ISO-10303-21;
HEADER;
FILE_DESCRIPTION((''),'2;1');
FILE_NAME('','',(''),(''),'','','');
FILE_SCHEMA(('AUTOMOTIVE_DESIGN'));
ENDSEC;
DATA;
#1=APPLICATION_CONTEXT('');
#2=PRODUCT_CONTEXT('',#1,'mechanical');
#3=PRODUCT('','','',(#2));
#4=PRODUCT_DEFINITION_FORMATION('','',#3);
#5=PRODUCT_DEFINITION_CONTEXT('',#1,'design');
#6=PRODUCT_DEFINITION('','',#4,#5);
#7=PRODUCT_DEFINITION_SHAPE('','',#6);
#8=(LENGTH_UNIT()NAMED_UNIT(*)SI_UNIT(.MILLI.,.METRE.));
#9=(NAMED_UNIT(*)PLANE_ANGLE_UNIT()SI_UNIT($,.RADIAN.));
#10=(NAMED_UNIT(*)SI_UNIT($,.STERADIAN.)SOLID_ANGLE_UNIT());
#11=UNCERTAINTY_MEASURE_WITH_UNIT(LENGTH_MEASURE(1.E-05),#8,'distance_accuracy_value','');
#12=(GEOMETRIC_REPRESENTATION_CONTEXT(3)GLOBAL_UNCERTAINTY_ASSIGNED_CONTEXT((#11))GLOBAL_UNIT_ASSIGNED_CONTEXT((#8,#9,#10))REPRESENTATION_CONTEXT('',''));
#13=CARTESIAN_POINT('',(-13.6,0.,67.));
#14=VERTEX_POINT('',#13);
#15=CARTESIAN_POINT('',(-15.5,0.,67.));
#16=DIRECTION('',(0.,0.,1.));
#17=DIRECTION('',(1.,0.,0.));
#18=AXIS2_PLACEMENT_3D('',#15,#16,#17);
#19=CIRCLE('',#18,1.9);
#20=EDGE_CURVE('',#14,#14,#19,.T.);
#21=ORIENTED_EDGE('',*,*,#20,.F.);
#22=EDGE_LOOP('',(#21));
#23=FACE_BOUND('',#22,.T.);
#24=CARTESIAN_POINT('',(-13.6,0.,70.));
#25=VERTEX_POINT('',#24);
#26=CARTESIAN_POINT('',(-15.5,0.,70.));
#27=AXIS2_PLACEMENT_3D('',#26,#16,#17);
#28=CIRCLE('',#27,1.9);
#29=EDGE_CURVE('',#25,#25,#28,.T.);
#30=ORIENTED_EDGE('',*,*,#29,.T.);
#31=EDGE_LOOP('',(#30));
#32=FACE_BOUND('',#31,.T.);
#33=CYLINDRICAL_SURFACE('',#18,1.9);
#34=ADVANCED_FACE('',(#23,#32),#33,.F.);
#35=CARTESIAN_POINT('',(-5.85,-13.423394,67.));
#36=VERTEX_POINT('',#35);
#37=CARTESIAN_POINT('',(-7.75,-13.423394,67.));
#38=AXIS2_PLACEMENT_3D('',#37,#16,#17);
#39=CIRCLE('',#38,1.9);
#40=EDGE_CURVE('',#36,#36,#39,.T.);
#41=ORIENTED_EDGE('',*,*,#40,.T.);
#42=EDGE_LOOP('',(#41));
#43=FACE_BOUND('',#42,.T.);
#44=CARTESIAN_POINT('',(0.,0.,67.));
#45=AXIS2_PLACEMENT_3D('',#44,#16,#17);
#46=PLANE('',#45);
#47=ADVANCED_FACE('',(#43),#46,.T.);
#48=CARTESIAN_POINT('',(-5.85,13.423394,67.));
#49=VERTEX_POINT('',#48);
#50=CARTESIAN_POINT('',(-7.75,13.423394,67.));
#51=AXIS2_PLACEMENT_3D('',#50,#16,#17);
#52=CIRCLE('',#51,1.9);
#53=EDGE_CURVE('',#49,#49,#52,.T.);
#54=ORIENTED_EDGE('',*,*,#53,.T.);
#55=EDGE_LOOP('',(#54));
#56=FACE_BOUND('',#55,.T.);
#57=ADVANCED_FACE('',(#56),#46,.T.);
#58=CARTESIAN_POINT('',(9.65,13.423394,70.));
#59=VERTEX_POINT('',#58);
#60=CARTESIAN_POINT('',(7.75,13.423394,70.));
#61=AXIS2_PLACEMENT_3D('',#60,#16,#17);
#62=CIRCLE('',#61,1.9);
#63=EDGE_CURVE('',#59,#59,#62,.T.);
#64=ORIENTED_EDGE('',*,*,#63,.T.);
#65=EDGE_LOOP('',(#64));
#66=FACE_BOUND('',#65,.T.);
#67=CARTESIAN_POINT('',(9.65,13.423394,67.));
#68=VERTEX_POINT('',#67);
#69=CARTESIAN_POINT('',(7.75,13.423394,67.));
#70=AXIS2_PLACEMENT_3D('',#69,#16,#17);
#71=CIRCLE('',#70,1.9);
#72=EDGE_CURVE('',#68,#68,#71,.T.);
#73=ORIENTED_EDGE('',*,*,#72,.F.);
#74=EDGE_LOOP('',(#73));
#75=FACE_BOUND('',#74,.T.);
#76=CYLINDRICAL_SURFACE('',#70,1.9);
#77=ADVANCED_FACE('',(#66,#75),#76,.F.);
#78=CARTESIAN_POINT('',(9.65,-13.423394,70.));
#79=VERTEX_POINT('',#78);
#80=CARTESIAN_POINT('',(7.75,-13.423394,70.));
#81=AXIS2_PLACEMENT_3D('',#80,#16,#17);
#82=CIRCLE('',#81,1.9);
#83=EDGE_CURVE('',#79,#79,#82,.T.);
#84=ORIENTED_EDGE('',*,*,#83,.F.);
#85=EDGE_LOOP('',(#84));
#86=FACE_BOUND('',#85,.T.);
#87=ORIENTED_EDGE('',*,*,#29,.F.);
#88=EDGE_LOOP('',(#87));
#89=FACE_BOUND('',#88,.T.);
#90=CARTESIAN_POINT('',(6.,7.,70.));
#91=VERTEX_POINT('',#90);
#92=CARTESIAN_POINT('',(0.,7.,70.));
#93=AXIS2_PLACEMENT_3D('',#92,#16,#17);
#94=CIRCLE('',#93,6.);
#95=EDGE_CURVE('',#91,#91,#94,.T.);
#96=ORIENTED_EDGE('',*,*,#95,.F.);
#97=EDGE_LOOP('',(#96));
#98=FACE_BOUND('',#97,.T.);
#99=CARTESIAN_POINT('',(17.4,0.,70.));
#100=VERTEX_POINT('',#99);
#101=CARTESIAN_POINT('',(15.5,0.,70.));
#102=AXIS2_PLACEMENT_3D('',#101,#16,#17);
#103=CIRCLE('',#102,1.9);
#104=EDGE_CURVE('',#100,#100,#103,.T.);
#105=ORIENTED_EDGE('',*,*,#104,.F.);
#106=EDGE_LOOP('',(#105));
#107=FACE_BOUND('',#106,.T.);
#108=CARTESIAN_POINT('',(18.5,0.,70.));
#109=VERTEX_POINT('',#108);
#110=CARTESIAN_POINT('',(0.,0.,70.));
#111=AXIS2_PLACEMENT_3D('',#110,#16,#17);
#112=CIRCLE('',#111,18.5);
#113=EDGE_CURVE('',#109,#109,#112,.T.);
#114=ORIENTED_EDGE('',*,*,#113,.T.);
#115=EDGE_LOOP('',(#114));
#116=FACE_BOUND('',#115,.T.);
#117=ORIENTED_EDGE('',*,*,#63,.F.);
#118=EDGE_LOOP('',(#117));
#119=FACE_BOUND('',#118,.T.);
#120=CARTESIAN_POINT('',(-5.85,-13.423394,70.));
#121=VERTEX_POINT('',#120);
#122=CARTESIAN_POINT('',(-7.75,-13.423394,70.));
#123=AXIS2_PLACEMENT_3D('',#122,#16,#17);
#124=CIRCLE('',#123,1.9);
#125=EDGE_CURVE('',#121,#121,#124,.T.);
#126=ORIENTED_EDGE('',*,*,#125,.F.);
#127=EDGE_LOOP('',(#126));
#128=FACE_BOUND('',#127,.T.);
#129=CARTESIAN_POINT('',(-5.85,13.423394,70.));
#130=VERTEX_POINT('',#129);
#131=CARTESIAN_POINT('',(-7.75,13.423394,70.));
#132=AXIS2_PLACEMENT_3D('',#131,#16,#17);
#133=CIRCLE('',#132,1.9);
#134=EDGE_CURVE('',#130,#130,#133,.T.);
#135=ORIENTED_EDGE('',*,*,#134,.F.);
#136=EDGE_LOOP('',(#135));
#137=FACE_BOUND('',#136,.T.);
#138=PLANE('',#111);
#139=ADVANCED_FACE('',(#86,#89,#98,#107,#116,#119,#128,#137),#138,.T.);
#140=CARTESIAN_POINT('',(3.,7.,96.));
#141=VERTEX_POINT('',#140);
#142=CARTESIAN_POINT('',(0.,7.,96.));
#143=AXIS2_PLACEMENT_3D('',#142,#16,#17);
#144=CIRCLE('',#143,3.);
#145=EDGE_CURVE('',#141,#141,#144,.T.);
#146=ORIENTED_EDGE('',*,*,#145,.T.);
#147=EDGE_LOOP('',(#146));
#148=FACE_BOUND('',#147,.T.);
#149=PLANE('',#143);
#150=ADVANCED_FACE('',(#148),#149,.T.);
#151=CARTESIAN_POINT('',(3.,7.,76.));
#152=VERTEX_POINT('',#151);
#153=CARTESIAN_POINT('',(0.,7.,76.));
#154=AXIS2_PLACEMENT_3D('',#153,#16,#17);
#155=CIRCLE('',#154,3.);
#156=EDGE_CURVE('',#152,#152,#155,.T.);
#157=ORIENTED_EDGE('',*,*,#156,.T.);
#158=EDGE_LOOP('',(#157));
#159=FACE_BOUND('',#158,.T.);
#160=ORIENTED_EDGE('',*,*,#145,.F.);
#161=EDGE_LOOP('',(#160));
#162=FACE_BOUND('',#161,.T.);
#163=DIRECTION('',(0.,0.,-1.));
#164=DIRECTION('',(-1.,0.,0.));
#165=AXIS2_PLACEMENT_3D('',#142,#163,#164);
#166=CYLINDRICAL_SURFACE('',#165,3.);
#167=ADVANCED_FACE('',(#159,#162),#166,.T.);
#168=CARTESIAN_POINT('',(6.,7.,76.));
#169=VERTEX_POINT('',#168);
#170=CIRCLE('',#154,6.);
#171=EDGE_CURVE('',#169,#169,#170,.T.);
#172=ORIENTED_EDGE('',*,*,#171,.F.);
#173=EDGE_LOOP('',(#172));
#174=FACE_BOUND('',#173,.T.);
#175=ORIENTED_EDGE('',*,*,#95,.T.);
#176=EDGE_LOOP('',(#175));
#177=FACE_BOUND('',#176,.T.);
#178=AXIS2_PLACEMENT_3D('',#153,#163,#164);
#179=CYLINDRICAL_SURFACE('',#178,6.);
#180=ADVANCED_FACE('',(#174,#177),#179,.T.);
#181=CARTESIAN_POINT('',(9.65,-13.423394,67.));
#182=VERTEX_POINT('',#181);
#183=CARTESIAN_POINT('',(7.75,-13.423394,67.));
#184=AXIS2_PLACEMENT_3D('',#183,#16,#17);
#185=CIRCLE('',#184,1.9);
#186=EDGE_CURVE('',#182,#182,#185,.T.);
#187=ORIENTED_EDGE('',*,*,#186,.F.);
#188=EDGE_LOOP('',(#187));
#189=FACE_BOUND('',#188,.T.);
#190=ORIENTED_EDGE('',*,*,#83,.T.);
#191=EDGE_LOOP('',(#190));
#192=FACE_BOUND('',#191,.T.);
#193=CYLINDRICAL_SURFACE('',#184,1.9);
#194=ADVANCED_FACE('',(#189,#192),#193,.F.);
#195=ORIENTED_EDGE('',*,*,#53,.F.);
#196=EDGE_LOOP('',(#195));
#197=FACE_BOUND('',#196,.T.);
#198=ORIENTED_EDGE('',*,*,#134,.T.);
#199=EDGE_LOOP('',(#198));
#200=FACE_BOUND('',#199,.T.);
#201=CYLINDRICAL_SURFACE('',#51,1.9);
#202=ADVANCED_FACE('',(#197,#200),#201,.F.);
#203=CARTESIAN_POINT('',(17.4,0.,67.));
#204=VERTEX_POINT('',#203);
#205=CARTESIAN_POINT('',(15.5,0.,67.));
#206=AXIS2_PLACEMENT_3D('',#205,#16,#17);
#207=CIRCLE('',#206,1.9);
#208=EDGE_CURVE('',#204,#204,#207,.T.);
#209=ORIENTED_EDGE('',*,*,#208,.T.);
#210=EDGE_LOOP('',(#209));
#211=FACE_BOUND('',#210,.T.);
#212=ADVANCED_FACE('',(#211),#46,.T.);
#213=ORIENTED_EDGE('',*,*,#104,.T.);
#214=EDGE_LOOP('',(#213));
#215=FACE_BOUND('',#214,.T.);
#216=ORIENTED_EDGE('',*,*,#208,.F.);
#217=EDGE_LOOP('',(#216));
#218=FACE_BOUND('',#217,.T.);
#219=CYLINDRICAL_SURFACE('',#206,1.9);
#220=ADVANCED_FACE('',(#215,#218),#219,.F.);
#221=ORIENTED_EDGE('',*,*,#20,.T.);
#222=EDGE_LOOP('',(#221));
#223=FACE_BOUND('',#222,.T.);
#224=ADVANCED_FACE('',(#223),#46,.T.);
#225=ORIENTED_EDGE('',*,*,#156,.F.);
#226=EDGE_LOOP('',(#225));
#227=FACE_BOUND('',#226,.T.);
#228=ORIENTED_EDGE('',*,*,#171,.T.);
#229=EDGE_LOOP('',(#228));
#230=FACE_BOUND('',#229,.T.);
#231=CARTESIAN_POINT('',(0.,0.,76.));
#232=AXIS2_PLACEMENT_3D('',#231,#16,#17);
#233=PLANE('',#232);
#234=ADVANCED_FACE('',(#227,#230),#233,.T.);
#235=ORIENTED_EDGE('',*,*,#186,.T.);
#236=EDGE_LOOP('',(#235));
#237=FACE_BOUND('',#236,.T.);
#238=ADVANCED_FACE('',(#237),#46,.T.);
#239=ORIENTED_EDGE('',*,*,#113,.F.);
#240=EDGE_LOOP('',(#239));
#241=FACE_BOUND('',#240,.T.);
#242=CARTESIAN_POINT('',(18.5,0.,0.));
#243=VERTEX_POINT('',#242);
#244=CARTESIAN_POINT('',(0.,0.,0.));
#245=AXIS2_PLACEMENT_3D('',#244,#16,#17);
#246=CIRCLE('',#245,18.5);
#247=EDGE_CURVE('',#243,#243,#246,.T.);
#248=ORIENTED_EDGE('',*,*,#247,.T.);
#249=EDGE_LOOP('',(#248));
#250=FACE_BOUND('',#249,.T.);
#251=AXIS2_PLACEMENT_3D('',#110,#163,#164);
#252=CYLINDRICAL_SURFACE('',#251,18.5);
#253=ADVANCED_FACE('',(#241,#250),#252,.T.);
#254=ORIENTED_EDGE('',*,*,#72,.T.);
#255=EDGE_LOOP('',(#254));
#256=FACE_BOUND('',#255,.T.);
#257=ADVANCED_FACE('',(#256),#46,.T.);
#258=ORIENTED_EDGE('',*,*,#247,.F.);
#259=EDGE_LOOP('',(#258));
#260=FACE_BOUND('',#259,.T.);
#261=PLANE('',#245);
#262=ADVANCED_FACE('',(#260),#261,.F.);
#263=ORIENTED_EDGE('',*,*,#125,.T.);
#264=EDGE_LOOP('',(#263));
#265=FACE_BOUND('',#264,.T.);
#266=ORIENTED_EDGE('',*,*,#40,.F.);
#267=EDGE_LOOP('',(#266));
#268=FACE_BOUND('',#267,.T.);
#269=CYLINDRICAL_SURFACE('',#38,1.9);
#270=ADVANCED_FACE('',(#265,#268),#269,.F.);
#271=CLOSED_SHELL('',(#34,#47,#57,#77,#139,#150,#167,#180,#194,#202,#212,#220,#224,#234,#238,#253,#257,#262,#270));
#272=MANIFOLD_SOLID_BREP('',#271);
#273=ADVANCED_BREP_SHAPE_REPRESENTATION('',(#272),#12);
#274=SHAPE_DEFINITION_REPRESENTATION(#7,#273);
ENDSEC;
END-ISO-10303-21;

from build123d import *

# Parameters (mm, degrees)
SKETCH1_R           = 18.5
BOSS_EXTRUDE1_DEPTH = 70
SKETCH2_R           = 1.9
CUT_EXTRUDE1_DEPTH  = 3
SKETCH2_3_R         = 6
BOSS_EXTRUDE2_DEPTH = 6
SKETCH3_R           = 3
BOSS_EXTRUDE3_DEPTH = 20


with BuildPart() as part:
    # Sketch1 → Boss-Extrude1 (new body)
    with BuildSketch(Plane(origin=(0, 0, 0), x_dir=(0, 1, 0), z_dir=(0, 0, 1))):
        Circle(SKETCH1_R)
    extrude(amount=BOSS_EXTRUDE1_DEPTH)

    # Sketch2 → Cut-Extrude1 (cut)
    with BuildSketch(Plane(origin=(0, 0, 70), x_dir=(-1, 0, 0), z_dir=(0, 0, 1))):
        with Locations((-15.5, 0)):
            Circle(SKETCH2_R)
        with Locations((-7.75, 13.423393759)):
            Circle(SKETCH2_R)
        with Locations((7.75, 13.423393759)):
            Circle(SKETCH2_R)
        with Locations((15.5, 0)):
            Circle(SKETCH2_R)
        with Locations((7.75, -13.423393759)):
            Circle(SKETCH2_R)
        with Locations((-7.75, -13.423393759)):
            Circle(SKETCH2_R)
    extrude(amount=-CUT_EXTRUDE1_DEPTH, mode=Mode.SUBTRACT)

    # Sketch2<3> → Boss-Extrude2 (add)
    with BuildSketch(Plane(origin=(0, 0, 70), x_dir=(-1, 0, 0), z_dir=(0, 0, 1))):
        with Locations((0, -7)):
            Circle(SKETCH2_3_R)
    extrude(amount=BOSS_EXTRUDE2_DEPTH)

    # Sketch3 → Boss-Extrude3 (add)
    with BuildSketch(Plane.XY.offset(76)):
        with Locations((0, 7)):
            Circle(SKETCH3_R)
    extrude(amount=BOSS_EXTRUDE3_DEPTH)


solid = part.part
